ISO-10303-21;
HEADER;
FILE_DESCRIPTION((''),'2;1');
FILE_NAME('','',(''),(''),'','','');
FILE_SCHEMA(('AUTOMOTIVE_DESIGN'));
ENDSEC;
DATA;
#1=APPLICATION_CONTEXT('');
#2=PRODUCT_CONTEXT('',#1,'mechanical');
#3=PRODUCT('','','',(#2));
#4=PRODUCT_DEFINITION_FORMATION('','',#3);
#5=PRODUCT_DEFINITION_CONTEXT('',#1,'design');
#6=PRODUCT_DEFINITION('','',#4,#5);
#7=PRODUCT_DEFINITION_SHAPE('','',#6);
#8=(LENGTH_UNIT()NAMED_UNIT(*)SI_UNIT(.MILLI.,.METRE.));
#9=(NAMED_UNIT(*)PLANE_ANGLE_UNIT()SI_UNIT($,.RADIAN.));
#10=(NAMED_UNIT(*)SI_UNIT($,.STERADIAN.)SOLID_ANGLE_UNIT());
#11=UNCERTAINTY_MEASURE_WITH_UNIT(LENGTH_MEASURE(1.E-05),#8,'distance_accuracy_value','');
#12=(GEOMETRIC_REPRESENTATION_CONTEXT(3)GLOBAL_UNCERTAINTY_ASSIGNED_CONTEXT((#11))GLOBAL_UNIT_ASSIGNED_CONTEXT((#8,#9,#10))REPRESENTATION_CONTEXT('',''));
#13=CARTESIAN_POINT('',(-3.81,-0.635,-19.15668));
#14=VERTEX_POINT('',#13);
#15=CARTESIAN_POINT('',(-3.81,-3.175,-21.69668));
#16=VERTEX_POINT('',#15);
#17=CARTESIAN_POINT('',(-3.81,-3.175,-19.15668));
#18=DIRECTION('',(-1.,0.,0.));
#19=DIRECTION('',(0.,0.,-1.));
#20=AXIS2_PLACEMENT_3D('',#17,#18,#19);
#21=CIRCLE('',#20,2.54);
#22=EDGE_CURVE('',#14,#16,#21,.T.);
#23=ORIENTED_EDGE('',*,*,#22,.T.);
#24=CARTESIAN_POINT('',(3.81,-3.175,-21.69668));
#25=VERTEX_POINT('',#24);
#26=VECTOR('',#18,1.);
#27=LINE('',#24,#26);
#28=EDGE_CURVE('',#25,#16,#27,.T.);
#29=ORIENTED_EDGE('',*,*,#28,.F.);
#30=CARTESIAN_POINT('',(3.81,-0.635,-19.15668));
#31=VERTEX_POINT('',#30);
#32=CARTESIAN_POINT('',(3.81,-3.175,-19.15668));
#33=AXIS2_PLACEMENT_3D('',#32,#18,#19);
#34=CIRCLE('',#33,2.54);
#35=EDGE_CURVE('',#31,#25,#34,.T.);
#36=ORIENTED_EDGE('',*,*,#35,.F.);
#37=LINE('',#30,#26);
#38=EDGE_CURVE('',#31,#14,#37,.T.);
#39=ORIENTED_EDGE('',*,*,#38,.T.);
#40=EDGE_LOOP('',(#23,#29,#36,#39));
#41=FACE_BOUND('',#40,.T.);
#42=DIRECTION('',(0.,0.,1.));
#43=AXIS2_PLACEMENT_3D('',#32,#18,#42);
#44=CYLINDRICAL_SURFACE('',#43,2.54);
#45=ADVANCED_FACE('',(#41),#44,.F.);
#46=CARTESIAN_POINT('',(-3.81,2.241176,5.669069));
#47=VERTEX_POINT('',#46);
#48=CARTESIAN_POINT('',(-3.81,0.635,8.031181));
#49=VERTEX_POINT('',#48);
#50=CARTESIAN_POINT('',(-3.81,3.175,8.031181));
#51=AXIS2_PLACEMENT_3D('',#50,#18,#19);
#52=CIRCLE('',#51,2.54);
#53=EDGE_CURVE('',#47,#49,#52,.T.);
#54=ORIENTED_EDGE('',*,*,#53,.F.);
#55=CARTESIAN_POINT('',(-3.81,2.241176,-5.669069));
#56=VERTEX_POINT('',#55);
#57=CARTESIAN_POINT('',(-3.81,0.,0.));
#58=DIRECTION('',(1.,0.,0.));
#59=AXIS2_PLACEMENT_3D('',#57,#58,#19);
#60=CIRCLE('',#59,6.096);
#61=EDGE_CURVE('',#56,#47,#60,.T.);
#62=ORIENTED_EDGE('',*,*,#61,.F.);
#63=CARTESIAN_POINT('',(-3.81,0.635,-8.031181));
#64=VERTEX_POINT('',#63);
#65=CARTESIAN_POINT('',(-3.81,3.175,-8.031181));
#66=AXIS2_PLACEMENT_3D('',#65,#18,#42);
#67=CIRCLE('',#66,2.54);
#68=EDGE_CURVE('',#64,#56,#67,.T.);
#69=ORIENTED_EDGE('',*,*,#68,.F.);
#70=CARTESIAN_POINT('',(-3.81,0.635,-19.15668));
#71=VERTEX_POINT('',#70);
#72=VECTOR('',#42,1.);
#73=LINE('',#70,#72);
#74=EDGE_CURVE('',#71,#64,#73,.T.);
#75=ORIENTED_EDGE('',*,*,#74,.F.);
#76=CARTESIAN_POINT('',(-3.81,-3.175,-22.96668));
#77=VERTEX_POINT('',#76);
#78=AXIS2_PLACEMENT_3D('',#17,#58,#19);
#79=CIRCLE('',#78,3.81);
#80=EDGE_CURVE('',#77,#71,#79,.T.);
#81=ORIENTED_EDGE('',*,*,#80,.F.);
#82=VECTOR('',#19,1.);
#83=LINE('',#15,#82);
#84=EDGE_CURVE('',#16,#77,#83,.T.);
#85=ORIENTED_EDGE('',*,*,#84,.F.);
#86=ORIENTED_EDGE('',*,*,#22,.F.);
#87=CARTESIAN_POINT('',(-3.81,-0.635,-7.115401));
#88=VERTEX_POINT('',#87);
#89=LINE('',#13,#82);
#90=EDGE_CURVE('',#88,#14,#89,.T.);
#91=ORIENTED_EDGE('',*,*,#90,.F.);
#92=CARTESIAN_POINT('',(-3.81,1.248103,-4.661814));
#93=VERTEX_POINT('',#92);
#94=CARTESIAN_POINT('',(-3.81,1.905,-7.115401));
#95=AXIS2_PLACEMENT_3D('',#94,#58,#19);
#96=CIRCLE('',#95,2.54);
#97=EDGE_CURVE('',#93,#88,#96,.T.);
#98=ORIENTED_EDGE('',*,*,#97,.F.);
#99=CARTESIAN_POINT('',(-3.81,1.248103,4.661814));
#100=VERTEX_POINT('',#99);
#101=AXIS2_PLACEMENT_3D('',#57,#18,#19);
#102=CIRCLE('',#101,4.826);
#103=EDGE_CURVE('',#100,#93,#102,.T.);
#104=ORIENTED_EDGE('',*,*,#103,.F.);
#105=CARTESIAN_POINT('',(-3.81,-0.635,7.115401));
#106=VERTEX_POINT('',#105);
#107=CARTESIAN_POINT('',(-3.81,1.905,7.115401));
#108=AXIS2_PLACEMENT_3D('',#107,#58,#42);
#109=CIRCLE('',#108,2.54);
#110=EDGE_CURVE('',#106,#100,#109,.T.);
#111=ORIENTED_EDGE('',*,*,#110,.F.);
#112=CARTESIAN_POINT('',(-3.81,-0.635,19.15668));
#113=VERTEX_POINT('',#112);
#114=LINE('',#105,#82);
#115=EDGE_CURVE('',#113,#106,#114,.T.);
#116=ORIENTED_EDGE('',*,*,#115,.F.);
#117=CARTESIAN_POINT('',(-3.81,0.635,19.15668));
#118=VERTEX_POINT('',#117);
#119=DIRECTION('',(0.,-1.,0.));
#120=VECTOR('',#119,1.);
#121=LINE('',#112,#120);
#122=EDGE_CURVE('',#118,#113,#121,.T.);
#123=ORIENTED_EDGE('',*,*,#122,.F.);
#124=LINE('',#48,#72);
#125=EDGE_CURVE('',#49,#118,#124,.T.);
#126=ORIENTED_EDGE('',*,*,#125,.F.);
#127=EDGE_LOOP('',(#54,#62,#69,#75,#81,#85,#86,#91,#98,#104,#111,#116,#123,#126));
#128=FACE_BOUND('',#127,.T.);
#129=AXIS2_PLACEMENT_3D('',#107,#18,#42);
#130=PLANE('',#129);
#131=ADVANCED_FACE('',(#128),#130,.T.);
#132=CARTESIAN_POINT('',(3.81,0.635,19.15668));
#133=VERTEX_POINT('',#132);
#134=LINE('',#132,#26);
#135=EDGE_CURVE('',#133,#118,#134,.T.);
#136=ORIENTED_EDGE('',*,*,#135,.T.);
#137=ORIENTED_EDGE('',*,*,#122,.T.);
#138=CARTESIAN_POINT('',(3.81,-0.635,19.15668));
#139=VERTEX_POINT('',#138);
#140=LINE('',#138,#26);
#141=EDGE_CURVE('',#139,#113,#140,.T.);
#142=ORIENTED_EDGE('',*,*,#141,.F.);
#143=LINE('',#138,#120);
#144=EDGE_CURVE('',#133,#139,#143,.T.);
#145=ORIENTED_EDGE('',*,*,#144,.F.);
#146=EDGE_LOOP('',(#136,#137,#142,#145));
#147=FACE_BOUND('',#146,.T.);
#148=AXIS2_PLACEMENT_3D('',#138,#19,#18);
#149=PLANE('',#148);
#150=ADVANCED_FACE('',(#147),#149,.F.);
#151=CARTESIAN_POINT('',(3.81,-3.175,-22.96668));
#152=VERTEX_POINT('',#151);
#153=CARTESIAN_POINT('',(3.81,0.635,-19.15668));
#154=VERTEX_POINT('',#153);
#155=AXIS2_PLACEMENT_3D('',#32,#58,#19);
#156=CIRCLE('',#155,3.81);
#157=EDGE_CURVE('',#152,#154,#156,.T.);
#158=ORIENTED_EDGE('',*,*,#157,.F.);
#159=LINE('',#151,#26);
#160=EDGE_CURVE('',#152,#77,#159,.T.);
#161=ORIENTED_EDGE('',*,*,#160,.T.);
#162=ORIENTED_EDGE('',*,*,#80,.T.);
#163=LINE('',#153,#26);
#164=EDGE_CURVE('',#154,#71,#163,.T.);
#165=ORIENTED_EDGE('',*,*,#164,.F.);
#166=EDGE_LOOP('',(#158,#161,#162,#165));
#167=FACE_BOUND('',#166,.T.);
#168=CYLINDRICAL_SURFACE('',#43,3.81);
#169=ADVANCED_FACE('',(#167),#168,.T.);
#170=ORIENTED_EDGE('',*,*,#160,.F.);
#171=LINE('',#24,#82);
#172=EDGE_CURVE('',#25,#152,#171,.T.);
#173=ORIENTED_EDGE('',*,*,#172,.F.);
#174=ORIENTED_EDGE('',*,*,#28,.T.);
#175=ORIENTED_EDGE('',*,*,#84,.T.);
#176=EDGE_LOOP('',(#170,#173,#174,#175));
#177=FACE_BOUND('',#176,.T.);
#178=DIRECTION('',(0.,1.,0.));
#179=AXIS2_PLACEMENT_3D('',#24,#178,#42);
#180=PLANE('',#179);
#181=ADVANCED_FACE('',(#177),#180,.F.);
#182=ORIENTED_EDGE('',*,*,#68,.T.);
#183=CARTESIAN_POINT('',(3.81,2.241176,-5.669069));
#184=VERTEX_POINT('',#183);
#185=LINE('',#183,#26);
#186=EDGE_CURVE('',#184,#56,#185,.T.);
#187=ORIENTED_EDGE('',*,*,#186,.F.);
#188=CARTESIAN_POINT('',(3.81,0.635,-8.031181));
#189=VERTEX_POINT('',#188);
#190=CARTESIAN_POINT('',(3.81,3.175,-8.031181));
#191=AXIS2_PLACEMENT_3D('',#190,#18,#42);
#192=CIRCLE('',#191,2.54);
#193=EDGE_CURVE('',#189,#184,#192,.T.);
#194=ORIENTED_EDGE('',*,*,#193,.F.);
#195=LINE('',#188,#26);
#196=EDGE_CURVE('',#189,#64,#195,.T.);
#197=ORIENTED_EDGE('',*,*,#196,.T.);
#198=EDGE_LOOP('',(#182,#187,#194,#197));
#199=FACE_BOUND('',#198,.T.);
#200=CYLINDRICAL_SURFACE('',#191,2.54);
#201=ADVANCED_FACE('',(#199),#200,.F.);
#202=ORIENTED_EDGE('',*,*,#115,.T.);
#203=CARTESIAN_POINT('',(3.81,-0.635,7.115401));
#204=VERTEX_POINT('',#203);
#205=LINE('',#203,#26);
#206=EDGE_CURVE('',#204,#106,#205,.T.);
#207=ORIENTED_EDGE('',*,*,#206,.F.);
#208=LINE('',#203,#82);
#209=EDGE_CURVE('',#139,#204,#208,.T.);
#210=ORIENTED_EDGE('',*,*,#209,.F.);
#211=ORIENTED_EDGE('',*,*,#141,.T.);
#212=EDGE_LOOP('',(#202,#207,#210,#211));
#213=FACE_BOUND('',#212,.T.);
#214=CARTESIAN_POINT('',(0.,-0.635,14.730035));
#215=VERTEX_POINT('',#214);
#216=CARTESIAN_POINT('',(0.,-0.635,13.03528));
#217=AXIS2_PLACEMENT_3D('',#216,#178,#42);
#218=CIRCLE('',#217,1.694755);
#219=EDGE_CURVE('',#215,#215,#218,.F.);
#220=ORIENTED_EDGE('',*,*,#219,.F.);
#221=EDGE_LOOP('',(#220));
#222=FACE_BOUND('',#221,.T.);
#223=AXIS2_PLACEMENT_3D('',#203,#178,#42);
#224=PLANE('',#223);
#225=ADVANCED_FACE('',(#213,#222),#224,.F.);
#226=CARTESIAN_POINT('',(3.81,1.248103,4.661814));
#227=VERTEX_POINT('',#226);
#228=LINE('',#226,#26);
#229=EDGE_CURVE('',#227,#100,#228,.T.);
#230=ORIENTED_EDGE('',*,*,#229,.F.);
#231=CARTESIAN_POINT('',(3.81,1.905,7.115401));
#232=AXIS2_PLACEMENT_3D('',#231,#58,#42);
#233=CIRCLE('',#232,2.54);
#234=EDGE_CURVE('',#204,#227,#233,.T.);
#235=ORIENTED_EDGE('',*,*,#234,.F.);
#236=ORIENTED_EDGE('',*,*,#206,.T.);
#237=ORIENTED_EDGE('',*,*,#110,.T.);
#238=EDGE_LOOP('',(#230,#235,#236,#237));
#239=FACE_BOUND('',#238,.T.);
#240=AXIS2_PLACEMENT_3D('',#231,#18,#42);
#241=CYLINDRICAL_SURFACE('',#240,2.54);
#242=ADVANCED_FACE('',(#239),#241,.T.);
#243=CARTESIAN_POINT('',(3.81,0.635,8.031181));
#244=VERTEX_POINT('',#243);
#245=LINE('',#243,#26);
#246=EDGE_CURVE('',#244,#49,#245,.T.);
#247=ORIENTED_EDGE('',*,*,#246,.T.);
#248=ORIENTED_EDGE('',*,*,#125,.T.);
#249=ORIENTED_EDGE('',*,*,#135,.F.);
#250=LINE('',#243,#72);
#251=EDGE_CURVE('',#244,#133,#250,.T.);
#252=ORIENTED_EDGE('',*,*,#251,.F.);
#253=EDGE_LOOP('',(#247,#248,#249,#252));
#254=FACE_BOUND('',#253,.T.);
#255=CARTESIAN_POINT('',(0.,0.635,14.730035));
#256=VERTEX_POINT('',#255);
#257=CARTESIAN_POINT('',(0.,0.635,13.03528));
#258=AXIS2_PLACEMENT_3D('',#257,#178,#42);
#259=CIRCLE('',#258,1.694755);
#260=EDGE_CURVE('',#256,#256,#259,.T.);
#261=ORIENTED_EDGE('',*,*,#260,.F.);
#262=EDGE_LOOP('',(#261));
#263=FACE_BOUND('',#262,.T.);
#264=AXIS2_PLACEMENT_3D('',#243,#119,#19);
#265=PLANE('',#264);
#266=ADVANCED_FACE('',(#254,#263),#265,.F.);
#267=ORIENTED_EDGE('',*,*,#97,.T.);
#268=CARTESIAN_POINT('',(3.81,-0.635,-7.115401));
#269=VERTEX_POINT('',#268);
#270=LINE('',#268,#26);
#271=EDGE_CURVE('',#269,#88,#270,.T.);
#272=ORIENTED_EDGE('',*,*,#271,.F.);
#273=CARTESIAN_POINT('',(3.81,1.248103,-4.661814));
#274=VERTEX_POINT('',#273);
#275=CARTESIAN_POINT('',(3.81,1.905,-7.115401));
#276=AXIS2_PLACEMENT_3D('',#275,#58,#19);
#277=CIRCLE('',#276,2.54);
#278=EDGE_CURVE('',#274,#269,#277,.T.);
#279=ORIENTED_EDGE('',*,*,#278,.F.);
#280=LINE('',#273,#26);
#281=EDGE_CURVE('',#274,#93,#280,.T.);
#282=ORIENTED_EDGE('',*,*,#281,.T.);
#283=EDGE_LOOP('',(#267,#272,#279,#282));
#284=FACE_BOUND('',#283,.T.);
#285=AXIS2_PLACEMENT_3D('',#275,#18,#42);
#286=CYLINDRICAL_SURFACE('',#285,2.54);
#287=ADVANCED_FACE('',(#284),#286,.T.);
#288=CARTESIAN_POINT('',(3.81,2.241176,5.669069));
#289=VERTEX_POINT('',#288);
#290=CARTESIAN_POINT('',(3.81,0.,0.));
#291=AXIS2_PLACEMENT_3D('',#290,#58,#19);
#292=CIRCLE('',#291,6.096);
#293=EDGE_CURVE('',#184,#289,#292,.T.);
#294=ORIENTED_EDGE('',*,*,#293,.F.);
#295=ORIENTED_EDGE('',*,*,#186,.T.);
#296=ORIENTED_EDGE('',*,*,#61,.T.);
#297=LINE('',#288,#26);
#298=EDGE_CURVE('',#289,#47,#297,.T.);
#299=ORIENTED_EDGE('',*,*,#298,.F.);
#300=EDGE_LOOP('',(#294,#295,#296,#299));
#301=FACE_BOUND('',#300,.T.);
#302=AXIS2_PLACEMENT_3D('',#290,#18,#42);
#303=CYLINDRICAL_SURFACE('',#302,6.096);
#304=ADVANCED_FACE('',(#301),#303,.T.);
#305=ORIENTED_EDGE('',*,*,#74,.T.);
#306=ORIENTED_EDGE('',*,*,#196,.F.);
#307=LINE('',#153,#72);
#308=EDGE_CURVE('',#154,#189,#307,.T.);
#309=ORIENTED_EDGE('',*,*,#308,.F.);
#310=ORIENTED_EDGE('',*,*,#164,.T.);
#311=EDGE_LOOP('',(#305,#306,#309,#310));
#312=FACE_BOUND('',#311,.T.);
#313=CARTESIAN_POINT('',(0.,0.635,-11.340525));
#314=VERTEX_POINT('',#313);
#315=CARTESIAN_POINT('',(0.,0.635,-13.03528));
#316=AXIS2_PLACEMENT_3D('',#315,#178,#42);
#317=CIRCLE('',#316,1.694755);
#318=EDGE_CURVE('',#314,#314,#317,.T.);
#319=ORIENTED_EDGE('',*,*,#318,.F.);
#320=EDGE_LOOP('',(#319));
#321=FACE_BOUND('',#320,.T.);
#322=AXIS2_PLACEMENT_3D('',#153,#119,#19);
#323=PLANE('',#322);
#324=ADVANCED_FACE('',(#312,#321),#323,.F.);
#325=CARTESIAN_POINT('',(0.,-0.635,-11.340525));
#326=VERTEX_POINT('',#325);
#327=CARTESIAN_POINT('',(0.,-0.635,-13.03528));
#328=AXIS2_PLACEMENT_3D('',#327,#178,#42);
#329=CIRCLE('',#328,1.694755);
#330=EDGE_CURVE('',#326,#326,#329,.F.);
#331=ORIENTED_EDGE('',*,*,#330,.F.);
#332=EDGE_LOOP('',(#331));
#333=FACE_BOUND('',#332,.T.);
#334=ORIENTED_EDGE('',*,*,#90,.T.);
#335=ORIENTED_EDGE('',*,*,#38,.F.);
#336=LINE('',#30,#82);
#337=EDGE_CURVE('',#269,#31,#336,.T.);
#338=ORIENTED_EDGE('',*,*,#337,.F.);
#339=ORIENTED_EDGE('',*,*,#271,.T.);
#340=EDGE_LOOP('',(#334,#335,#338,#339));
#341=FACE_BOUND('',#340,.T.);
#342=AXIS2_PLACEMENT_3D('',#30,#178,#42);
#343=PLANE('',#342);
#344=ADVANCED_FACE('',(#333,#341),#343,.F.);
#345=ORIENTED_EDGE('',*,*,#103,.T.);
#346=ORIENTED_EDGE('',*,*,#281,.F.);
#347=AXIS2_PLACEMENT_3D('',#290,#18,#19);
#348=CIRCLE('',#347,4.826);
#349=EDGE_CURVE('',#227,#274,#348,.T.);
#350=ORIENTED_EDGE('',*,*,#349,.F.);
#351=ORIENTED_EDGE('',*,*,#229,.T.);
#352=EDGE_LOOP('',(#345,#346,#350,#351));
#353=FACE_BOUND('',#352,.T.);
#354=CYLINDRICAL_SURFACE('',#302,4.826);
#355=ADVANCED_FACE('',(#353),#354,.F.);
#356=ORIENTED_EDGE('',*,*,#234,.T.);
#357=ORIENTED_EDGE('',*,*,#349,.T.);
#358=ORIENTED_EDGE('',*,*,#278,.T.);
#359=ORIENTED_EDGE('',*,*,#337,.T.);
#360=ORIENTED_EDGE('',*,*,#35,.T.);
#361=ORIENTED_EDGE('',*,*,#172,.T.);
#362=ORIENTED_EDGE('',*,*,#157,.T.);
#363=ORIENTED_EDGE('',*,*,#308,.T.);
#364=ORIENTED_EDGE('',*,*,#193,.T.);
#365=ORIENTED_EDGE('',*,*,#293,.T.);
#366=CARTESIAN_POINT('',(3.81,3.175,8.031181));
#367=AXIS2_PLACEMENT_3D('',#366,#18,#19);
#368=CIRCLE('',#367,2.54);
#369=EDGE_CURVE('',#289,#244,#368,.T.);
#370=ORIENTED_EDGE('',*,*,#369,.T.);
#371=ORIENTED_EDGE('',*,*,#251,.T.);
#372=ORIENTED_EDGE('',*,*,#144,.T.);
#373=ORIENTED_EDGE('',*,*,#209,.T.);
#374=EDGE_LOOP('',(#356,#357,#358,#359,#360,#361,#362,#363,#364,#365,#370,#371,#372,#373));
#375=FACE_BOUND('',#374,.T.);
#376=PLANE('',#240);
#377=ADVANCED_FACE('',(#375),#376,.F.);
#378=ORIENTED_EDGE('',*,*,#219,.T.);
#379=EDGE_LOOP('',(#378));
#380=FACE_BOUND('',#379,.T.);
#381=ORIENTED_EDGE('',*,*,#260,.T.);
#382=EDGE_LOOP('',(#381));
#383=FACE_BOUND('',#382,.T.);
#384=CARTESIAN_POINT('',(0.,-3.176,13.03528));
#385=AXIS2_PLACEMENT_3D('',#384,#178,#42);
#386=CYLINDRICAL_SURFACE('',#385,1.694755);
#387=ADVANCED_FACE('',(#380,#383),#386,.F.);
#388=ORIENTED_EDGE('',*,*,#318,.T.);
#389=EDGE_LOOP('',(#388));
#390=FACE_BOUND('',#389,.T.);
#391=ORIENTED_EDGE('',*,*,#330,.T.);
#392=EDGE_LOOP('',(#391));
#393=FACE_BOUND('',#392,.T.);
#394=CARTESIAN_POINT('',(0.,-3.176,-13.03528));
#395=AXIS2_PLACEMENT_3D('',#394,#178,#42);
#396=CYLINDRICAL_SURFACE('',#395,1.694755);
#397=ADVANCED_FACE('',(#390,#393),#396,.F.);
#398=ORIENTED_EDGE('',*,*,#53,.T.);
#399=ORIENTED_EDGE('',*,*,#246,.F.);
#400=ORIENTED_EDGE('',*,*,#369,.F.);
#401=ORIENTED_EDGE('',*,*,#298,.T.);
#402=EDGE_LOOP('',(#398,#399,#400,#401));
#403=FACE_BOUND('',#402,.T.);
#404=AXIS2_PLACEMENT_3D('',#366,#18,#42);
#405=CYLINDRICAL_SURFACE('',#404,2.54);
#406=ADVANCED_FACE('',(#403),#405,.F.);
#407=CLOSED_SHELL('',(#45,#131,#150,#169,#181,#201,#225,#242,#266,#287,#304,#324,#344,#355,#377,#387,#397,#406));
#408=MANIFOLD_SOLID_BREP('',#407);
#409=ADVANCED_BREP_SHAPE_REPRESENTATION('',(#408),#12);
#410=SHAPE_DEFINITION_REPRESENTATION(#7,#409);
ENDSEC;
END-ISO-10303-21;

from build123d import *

# Parameters (mm, degrees)
BOSS_EXTRUDE1_DEPTH = 3.81
CUT_EXTRUDE1_REACH  = 5.81
SKETCH3_R           = 1.694754892


with BuildPart() as part:
    # Sketch2 → Boss-Extrude1 (new body, symmetric)
    with BuildSketch(Plane(origin=(0, 0, 0), x_dir=(0, 0, -1), z_dir=(1, 0, 0))):
        with BuildLine():
            Line((21.69668, -3.175), (22.96668, -3.175))
            ThreePointArc((22.96668, -3.175), (21.850756836, -0.480923164), (19.15668, 0.635))
            Line((19.15668, 0.635), (8.031181171, 0.635))
            ThreePointArc((8.031181171, 0.635), (6.602950056, 1.074581974), (5.669069062, 2.241176471))
            ThreePointArc((5.669069062, 2.241176471), (0, 6.096), (-5.669069062, 2.241176471))
            ThreePointArc((-5.669069062, 2.241176471), (-6.602950056, 1.074581974), (-8.031181171, 0.635))
            Line((-8.031181171, 0.635), (-19.15668, 0.635))
            Line((-19.15668, 0.635), (-19.15668, -0.635))
            Line((-19.15668, -0.635), (-7.115400973, -0.635))
            ThreePointArc((-7.115400973, -0.635), (-5.568940052, -0.109958714), (-4.66181443, 1.248103448))
            ThreePointArc((-4.66181443, 1.248103448), (0, 4.826), (4.66181443, 1.248103448))
            ThreePointArc((4.66181443, 1.248103448), (5.568940052, -0.109958714), (7.115400973, -0.635))
            Line((7.115400973, -0.635), (19.15668, -0.635))
            ThreePointArc((19.15668, -0.635), (20.952731224, -1.378948776), (21.69668, -3.175))
        make_face()
    extrude(amount=BOSS_EXTRUDE1_DEPTH, both=True)

    # Sketch3 → Cut-Extrude1 (cut, up to next)
    with BuildSketch(Plane(origin=(0, 0.635, 0), x_dir=(1, 0, 0), z_dir=(0, 1, 0)), mode=Mode.PRIVATE) as cut_extrude1_sk1:
        with Locations((0, 13.03528)):
            Circle(SKETCH3_R)
    cut_extrude1_tool1 = extrude(cut_extrude1_sk1.sketch, amount=-CUT_EXTRUDE1_REACH, mode=Mode.PRIVATE) & part.part
    add(cut_extrude1_tool1.solids().sort_by_distance((0, 0.635, -13.03528))[0], mode=Mode.SUBTRACT)
    # Sketch3 → Cut-Extrude1 (cut, up to next)
    with BuildSketch(Plane(origin=(0, 0.635, 0), x_dir=(1, 0, 0), z_dir=(0, 1, 0)), mode=Mode.PRIVATE) as cut_extrude1_sk2:
        with Locations((0, -13.03528)):
            Circle(SKETCH3_R)
    cut_extrude1_tool2 = extrude(cut_extrude1_sk2.sketch, amount=-CUT_EXTRUDE1_REACH, mode=Mode.PRIVATE) & part.part
    add(cut_extrude1_tool2.solids().sort_by_distance((0, 0.635, 13.03528))[0], mode=Mode.SUBTRACT)


solid = part.part
